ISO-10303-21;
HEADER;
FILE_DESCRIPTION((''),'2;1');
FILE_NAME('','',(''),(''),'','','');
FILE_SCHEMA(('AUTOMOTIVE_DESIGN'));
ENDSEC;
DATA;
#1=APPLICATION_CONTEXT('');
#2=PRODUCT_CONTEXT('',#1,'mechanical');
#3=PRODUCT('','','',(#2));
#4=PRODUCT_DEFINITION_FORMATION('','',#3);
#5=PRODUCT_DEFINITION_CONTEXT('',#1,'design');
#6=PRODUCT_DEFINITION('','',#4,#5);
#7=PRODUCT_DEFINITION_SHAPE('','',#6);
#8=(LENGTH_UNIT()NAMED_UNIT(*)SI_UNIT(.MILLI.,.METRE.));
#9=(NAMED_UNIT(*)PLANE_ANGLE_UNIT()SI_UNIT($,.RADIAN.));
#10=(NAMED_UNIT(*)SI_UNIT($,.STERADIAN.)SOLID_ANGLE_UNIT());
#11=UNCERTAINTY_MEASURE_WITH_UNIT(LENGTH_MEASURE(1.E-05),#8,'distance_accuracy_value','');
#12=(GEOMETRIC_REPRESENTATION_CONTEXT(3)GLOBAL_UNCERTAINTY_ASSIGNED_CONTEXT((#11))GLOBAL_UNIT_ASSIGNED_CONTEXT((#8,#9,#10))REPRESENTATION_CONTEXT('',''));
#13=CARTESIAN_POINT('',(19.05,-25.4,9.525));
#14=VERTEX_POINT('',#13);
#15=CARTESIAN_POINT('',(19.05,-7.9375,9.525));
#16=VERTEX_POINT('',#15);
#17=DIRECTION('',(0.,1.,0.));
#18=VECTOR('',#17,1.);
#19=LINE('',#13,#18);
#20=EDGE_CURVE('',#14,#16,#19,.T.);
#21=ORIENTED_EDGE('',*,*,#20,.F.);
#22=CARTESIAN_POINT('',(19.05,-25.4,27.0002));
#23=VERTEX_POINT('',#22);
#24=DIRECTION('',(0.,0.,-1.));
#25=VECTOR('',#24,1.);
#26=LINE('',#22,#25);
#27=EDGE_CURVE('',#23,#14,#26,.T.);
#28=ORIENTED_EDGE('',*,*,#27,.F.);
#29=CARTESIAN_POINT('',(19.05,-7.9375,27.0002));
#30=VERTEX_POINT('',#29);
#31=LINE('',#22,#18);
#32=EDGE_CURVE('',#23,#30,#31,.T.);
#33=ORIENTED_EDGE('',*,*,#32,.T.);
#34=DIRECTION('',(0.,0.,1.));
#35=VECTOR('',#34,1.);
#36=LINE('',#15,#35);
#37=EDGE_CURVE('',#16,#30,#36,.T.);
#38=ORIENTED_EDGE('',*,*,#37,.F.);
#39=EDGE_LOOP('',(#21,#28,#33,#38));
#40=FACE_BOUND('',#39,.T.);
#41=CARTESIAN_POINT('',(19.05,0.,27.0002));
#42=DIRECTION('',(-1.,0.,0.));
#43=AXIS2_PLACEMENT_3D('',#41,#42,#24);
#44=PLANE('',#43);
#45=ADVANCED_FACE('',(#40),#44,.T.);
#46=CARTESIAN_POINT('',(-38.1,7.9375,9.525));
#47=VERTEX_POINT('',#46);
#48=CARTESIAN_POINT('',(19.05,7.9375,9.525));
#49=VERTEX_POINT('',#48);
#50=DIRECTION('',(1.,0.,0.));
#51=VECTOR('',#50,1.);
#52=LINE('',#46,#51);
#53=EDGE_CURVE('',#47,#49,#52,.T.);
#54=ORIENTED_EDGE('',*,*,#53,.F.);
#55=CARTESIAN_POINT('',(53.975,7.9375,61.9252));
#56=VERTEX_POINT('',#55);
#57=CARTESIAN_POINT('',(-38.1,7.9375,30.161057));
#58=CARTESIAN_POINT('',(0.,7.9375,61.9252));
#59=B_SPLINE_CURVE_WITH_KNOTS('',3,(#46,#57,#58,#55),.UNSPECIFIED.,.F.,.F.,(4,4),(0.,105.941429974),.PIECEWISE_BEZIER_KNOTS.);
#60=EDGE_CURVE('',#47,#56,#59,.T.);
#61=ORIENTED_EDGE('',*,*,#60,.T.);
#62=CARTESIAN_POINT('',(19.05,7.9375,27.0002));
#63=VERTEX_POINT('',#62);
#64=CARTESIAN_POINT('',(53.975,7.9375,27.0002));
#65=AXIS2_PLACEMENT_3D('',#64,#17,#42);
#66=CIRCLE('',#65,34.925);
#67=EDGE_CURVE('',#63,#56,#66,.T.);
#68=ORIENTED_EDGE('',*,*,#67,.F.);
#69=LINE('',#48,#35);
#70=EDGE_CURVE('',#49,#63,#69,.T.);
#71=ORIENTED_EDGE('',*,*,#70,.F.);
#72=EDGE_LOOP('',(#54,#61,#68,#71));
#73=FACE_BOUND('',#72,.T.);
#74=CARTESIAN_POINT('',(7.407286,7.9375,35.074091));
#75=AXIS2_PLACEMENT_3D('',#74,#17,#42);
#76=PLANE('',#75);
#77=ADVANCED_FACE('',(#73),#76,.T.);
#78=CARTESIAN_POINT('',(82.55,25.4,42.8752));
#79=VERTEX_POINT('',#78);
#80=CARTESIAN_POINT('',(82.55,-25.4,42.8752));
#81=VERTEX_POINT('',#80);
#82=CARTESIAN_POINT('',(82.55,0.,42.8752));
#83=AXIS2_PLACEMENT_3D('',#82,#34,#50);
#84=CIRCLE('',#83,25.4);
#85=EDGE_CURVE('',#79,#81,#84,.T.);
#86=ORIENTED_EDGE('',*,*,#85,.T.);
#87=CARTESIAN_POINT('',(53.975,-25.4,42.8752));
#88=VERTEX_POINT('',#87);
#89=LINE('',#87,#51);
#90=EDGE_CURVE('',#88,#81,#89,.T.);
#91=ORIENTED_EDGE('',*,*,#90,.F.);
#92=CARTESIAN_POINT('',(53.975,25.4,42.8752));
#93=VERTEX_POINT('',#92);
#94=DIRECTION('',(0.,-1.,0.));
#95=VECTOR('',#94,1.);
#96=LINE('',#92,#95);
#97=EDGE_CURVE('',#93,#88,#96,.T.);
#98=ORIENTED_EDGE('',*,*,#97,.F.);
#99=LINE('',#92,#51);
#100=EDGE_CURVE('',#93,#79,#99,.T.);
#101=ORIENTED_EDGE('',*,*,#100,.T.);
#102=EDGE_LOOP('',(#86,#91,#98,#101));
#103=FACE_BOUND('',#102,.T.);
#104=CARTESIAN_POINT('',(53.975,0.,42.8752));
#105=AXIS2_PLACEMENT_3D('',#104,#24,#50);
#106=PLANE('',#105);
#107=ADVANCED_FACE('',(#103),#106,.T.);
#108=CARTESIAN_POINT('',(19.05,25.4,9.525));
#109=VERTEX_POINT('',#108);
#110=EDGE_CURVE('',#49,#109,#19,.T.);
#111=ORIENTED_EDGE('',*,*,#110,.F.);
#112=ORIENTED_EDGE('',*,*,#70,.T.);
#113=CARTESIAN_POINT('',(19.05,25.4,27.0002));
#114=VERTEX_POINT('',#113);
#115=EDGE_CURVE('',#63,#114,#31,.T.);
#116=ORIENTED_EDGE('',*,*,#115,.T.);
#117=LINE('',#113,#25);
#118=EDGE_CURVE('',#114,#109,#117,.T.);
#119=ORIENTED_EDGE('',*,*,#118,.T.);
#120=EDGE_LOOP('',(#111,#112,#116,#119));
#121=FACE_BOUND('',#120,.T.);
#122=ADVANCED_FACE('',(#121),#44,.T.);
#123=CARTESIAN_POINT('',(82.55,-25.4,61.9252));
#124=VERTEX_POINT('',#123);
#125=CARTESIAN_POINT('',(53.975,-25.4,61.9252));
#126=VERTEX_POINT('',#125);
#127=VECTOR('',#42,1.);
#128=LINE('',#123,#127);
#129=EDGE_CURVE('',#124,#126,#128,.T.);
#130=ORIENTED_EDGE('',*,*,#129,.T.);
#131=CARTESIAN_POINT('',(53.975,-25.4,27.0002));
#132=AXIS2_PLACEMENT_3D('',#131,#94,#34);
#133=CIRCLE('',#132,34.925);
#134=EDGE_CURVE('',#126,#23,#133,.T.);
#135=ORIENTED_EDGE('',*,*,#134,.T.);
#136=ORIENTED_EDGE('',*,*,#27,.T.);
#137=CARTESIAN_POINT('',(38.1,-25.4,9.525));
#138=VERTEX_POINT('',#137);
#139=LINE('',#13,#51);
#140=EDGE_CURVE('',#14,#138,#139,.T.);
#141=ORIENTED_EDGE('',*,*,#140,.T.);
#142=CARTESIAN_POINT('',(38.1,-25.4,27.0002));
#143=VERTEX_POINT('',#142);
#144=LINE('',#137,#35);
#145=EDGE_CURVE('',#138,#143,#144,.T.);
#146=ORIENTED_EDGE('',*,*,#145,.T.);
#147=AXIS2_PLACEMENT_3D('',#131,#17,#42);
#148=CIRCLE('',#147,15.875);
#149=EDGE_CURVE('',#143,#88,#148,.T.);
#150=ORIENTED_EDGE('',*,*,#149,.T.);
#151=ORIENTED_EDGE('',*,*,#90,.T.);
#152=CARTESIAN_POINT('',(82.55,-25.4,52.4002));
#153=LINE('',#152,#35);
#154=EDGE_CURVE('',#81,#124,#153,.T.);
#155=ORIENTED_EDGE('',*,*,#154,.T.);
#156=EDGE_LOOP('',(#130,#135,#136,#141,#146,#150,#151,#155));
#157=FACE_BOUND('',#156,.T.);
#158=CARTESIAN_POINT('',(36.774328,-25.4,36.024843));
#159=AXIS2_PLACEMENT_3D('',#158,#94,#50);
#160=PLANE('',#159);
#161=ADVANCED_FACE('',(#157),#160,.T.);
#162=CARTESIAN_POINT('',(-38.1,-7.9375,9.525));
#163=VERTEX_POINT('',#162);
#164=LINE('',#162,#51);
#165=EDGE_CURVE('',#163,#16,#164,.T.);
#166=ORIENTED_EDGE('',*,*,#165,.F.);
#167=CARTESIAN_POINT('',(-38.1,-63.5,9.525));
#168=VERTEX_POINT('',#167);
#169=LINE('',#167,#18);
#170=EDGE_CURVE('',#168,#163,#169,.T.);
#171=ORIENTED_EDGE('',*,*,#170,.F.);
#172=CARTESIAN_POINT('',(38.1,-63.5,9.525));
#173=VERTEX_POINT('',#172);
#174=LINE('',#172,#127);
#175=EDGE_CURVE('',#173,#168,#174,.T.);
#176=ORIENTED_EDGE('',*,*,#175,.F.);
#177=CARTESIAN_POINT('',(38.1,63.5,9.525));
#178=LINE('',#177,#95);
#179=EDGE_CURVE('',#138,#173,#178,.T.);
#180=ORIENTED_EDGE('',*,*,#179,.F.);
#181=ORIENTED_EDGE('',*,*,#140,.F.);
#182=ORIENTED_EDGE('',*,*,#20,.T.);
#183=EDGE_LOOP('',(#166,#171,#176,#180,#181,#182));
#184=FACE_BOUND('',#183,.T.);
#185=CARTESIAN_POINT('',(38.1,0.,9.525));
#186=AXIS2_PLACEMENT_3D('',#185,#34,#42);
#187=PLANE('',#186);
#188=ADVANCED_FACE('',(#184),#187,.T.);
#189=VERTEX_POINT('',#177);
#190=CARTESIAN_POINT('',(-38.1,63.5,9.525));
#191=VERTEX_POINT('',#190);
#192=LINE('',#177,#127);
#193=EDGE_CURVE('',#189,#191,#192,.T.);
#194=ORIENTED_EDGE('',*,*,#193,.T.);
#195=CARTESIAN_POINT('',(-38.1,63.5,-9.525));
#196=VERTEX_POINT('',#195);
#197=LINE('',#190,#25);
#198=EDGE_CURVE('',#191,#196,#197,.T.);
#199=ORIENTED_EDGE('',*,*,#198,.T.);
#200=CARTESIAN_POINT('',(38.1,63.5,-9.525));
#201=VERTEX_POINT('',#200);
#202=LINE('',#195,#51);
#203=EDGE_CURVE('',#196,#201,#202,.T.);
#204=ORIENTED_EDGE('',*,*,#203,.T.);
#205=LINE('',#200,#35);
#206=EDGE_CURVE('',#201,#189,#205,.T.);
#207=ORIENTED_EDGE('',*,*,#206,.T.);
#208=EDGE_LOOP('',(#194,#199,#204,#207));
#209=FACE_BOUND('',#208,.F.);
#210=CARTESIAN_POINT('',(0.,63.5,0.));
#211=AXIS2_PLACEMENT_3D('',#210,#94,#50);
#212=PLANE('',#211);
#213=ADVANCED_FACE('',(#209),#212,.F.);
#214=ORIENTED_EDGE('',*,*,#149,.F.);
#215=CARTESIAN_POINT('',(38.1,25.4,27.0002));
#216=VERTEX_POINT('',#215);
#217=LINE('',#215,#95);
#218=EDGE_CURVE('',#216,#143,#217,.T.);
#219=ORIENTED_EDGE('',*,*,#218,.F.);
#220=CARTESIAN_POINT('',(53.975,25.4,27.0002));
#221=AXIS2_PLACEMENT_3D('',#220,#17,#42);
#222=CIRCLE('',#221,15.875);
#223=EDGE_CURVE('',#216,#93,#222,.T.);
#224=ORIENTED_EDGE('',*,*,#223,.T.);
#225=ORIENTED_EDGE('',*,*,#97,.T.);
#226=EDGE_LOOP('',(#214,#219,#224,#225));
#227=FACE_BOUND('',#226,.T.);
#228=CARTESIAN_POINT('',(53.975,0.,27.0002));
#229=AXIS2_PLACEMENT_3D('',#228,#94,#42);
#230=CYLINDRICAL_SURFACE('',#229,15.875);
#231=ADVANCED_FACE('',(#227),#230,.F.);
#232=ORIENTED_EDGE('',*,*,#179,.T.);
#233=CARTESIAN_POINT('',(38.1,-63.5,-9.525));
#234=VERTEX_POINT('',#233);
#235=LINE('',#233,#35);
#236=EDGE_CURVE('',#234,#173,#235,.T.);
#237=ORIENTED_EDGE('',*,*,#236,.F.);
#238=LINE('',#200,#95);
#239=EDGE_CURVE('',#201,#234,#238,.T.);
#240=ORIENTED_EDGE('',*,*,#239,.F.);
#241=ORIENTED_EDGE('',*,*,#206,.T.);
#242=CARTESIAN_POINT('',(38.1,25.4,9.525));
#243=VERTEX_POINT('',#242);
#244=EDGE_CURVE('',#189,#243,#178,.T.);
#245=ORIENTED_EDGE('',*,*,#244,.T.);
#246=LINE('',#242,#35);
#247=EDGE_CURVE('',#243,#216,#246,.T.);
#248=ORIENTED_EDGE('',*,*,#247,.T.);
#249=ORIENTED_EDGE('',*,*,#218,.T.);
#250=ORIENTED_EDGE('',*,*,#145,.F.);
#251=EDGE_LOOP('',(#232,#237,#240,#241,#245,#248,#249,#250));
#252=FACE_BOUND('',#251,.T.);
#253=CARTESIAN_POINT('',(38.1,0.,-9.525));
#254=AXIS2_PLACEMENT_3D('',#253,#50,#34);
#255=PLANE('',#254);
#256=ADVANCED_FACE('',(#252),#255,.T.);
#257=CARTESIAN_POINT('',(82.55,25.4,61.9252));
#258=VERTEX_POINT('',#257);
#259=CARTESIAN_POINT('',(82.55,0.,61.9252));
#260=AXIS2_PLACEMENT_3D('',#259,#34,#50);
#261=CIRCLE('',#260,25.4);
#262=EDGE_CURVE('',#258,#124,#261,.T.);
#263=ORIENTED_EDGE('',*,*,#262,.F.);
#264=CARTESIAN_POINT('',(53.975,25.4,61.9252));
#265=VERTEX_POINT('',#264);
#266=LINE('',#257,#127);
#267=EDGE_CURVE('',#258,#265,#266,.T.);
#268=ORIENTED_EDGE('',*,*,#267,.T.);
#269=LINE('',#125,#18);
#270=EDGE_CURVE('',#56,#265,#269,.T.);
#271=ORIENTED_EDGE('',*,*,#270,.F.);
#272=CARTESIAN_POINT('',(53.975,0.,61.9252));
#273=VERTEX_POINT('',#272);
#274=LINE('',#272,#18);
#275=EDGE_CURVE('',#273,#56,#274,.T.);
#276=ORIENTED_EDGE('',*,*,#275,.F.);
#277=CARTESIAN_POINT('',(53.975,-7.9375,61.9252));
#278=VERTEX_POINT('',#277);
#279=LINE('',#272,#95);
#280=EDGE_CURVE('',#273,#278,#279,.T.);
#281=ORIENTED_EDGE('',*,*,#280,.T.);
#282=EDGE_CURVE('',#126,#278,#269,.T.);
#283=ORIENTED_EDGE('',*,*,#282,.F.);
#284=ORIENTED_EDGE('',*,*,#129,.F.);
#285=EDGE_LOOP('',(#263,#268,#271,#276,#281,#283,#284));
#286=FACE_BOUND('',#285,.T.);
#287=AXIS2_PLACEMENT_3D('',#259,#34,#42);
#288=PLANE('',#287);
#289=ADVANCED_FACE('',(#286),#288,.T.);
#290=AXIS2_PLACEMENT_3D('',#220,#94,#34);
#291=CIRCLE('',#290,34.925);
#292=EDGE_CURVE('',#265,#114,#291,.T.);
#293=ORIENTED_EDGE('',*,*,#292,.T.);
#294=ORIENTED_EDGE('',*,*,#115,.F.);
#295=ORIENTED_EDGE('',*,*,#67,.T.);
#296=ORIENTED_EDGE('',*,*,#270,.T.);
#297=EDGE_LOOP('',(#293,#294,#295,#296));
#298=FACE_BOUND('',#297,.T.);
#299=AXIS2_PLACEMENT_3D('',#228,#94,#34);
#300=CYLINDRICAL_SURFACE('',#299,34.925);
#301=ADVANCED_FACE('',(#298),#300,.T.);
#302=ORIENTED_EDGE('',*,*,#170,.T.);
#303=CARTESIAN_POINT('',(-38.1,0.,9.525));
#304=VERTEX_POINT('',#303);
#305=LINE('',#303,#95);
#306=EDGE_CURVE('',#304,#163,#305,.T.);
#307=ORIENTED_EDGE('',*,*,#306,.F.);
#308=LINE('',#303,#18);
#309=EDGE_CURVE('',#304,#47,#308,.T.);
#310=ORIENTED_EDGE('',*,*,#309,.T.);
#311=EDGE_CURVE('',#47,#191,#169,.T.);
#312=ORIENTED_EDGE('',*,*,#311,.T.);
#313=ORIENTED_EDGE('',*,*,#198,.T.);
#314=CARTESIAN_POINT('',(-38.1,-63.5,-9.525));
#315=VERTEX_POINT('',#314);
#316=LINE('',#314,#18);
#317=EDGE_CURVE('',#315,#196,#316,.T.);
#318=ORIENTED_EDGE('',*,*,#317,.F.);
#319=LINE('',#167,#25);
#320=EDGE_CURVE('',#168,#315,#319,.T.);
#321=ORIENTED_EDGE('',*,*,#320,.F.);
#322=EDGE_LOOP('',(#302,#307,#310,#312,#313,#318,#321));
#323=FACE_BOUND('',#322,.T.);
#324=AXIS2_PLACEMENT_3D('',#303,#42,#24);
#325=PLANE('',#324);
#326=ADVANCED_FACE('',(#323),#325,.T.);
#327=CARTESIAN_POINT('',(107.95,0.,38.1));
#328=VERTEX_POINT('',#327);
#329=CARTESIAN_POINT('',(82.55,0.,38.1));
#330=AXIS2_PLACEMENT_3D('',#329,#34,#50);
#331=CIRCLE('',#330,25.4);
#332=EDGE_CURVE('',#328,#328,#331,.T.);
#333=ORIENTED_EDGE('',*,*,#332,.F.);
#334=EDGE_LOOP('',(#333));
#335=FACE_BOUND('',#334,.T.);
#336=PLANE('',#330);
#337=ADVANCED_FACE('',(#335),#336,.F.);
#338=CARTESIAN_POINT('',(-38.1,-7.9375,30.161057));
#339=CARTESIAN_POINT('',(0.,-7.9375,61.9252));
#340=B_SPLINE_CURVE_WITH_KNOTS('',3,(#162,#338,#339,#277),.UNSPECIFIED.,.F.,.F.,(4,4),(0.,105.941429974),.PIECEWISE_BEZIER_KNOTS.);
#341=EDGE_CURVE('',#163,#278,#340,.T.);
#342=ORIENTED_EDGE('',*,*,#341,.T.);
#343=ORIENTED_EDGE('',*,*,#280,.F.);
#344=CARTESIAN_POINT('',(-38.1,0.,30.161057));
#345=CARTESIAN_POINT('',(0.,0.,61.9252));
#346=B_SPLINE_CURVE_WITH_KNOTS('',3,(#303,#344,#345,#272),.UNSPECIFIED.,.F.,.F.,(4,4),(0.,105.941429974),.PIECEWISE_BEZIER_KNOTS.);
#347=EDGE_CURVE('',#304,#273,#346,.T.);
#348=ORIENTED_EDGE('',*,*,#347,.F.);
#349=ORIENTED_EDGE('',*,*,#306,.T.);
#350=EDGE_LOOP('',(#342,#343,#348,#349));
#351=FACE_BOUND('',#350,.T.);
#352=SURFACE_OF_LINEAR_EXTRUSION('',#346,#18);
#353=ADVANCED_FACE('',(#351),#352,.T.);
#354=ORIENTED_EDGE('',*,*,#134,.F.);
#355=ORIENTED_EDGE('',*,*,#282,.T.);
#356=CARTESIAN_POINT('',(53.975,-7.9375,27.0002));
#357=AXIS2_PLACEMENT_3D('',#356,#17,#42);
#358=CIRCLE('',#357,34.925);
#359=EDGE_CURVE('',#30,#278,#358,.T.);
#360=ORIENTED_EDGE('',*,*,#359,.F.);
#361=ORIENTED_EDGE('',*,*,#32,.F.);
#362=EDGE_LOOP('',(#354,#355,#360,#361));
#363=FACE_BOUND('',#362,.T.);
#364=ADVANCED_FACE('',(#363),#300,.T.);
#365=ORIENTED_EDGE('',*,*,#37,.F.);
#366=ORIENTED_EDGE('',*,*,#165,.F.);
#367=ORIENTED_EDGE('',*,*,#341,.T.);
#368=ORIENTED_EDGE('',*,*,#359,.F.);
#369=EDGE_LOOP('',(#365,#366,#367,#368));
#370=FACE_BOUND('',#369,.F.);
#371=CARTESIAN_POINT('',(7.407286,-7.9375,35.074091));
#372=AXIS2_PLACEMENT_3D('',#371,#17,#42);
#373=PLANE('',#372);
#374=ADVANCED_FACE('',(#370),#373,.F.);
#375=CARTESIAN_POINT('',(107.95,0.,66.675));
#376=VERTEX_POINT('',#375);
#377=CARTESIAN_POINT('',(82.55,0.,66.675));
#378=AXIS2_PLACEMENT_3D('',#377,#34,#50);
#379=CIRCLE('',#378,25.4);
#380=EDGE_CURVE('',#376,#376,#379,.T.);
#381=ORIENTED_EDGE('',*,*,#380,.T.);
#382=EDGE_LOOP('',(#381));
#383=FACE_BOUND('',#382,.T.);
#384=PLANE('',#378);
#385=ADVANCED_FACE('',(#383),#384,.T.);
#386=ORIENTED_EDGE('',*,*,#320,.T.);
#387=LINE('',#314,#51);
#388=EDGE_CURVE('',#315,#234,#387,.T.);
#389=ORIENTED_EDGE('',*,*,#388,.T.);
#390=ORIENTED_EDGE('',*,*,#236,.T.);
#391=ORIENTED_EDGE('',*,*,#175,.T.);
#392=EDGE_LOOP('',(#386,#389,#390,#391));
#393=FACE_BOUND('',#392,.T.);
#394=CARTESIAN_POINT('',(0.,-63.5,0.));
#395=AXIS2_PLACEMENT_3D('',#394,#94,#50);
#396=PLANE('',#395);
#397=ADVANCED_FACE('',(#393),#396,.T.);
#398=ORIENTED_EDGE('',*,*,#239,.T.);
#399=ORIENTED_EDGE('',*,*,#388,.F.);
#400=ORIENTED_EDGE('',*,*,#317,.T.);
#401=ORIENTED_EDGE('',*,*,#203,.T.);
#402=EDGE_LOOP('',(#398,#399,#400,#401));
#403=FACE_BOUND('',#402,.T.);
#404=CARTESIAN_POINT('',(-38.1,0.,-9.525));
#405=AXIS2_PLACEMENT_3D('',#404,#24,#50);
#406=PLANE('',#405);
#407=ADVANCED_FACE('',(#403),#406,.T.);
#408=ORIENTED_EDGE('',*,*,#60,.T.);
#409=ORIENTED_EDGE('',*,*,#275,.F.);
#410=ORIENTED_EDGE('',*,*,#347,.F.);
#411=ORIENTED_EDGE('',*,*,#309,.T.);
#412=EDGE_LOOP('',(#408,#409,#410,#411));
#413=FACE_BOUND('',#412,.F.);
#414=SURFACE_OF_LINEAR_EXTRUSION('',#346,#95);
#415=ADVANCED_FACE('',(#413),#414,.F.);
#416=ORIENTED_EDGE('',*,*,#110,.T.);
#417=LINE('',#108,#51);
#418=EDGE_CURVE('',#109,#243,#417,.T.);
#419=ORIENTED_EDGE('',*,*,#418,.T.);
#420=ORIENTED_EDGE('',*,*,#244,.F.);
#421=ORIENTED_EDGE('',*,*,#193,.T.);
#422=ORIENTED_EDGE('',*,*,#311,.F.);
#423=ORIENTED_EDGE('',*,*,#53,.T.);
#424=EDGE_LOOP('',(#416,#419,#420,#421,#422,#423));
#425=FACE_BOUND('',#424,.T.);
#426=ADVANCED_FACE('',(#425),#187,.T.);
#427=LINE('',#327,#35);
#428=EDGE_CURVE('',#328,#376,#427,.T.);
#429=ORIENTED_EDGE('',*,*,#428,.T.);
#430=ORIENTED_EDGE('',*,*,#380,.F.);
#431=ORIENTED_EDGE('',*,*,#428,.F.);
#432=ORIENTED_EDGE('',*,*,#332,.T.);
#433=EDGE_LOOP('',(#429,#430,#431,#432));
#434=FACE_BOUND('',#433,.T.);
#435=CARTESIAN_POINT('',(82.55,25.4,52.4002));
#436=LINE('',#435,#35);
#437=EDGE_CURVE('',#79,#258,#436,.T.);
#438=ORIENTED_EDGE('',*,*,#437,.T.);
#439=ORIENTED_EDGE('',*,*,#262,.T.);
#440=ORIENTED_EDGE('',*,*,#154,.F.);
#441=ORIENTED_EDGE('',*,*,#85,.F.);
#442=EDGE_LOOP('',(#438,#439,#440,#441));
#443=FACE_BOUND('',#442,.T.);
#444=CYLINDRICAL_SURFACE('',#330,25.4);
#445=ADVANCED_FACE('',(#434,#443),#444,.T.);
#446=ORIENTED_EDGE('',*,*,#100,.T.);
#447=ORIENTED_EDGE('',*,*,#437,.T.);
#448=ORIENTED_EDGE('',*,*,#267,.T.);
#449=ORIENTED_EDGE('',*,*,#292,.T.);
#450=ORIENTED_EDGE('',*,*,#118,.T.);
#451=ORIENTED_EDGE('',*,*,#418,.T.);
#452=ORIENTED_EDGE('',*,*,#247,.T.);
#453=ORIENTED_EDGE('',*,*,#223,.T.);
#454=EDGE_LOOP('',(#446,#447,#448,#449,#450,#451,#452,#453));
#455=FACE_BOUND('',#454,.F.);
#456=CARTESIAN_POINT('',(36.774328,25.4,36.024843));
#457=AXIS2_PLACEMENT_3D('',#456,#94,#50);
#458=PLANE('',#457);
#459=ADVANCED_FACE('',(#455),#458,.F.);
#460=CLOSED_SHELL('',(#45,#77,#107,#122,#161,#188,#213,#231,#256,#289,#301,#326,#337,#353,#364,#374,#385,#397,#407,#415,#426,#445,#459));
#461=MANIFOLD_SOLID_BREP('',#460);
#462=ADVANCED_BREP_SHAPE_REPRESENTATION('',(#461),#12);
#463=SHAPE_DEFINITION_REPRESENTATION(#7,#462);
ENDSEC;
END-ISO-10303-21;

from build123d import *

# Parameters (mm, degrees)
F1_DEPTH = 63.5
F0_W     = 25.4
F0_H     = 19.05
F2_DEPTH = 25.4
F3_DEPTH = 7.9375


with BuildPart() as f1:
    # F0 (on Front) → F1 (new body, symmetric)
    with BuildSketch(Plane.XZ):
        Polygon((-38.1, -9.525), (38.1, -9.525), (38.1, 9.525), (19.05, 9.525), (-38.1, 9.525), align=None)
    extrude(amount=F1_DEPTH, both=True)

    # F0 (on Front) → F2 (join, symmetric)
    with BuildSketch(Plane.XZ):
        with BuildLine():
            Line((19.05, 9.525), (38.1, 9.525))
            Line((38.1, 9.525), (38.1, 27.0002))
            ThreePointArc((38.1, 27.0002), (42.7496798487, 38.2255201513), (53.975, 42.8752))
            Line((53.975, 42.8752), (57.15, 42.8752))
            Line((57.15, 42.8752), (57.15, 61.9252))
            Line((57.15, 61.9252), (53.975, 61.9252))
            ThreePointArc((53.975, 61.9252), (29.2792956671, 51.6959043329), (19.05, 27.0002))
            Line((19.05, 27.0002), (19.05, 9.525))
        make_face()
        with Locations((69.85, 52.4002)):
            Rectangle(F0_W, F0_H)
    extrude(amount=F2_DEPTH, both=True)

    # F0 (on Front) → F3 (join, symmetric)
    with BuildSketch(Plane.XZ):
        with BuildLine():
            add(Edge.make_bspline(
                [(-38.1, 9.525), (-38.1, 30.1610566676), (0, 61.9252), (53.975, 61.9252)],
                knots=[0, 0, 0, 0, 105.9414299745, 105.9414299745, 105.9414299745, 105.9414299745], degree=3))
            Line((-38.1, 9.525), (19.05, 9.525))
            Line((19.05, 9.525), (19.05, 27.0002))
            ThreePointArc((19.05, 27.0002), (29.2792956671, 51.6959043329), (53.975, 61.9252))
        make_face()
    extrude(amount=F3_DEPTH, both=True)

    # F0 (on Front) → F4 (revolve)
    with BuildSketch(Plane.XZ):
        Polygon((82.55, 66.675), (82.55, 61.9252), (82.55, 42.8752), (82.55, 38.1), (107.95, 38.1), (107.95, 66.675), align=None)
    revolve(axis=Axis((82.55, 0, 52.3875), (0, 0, 1)))


solid = f1.part
